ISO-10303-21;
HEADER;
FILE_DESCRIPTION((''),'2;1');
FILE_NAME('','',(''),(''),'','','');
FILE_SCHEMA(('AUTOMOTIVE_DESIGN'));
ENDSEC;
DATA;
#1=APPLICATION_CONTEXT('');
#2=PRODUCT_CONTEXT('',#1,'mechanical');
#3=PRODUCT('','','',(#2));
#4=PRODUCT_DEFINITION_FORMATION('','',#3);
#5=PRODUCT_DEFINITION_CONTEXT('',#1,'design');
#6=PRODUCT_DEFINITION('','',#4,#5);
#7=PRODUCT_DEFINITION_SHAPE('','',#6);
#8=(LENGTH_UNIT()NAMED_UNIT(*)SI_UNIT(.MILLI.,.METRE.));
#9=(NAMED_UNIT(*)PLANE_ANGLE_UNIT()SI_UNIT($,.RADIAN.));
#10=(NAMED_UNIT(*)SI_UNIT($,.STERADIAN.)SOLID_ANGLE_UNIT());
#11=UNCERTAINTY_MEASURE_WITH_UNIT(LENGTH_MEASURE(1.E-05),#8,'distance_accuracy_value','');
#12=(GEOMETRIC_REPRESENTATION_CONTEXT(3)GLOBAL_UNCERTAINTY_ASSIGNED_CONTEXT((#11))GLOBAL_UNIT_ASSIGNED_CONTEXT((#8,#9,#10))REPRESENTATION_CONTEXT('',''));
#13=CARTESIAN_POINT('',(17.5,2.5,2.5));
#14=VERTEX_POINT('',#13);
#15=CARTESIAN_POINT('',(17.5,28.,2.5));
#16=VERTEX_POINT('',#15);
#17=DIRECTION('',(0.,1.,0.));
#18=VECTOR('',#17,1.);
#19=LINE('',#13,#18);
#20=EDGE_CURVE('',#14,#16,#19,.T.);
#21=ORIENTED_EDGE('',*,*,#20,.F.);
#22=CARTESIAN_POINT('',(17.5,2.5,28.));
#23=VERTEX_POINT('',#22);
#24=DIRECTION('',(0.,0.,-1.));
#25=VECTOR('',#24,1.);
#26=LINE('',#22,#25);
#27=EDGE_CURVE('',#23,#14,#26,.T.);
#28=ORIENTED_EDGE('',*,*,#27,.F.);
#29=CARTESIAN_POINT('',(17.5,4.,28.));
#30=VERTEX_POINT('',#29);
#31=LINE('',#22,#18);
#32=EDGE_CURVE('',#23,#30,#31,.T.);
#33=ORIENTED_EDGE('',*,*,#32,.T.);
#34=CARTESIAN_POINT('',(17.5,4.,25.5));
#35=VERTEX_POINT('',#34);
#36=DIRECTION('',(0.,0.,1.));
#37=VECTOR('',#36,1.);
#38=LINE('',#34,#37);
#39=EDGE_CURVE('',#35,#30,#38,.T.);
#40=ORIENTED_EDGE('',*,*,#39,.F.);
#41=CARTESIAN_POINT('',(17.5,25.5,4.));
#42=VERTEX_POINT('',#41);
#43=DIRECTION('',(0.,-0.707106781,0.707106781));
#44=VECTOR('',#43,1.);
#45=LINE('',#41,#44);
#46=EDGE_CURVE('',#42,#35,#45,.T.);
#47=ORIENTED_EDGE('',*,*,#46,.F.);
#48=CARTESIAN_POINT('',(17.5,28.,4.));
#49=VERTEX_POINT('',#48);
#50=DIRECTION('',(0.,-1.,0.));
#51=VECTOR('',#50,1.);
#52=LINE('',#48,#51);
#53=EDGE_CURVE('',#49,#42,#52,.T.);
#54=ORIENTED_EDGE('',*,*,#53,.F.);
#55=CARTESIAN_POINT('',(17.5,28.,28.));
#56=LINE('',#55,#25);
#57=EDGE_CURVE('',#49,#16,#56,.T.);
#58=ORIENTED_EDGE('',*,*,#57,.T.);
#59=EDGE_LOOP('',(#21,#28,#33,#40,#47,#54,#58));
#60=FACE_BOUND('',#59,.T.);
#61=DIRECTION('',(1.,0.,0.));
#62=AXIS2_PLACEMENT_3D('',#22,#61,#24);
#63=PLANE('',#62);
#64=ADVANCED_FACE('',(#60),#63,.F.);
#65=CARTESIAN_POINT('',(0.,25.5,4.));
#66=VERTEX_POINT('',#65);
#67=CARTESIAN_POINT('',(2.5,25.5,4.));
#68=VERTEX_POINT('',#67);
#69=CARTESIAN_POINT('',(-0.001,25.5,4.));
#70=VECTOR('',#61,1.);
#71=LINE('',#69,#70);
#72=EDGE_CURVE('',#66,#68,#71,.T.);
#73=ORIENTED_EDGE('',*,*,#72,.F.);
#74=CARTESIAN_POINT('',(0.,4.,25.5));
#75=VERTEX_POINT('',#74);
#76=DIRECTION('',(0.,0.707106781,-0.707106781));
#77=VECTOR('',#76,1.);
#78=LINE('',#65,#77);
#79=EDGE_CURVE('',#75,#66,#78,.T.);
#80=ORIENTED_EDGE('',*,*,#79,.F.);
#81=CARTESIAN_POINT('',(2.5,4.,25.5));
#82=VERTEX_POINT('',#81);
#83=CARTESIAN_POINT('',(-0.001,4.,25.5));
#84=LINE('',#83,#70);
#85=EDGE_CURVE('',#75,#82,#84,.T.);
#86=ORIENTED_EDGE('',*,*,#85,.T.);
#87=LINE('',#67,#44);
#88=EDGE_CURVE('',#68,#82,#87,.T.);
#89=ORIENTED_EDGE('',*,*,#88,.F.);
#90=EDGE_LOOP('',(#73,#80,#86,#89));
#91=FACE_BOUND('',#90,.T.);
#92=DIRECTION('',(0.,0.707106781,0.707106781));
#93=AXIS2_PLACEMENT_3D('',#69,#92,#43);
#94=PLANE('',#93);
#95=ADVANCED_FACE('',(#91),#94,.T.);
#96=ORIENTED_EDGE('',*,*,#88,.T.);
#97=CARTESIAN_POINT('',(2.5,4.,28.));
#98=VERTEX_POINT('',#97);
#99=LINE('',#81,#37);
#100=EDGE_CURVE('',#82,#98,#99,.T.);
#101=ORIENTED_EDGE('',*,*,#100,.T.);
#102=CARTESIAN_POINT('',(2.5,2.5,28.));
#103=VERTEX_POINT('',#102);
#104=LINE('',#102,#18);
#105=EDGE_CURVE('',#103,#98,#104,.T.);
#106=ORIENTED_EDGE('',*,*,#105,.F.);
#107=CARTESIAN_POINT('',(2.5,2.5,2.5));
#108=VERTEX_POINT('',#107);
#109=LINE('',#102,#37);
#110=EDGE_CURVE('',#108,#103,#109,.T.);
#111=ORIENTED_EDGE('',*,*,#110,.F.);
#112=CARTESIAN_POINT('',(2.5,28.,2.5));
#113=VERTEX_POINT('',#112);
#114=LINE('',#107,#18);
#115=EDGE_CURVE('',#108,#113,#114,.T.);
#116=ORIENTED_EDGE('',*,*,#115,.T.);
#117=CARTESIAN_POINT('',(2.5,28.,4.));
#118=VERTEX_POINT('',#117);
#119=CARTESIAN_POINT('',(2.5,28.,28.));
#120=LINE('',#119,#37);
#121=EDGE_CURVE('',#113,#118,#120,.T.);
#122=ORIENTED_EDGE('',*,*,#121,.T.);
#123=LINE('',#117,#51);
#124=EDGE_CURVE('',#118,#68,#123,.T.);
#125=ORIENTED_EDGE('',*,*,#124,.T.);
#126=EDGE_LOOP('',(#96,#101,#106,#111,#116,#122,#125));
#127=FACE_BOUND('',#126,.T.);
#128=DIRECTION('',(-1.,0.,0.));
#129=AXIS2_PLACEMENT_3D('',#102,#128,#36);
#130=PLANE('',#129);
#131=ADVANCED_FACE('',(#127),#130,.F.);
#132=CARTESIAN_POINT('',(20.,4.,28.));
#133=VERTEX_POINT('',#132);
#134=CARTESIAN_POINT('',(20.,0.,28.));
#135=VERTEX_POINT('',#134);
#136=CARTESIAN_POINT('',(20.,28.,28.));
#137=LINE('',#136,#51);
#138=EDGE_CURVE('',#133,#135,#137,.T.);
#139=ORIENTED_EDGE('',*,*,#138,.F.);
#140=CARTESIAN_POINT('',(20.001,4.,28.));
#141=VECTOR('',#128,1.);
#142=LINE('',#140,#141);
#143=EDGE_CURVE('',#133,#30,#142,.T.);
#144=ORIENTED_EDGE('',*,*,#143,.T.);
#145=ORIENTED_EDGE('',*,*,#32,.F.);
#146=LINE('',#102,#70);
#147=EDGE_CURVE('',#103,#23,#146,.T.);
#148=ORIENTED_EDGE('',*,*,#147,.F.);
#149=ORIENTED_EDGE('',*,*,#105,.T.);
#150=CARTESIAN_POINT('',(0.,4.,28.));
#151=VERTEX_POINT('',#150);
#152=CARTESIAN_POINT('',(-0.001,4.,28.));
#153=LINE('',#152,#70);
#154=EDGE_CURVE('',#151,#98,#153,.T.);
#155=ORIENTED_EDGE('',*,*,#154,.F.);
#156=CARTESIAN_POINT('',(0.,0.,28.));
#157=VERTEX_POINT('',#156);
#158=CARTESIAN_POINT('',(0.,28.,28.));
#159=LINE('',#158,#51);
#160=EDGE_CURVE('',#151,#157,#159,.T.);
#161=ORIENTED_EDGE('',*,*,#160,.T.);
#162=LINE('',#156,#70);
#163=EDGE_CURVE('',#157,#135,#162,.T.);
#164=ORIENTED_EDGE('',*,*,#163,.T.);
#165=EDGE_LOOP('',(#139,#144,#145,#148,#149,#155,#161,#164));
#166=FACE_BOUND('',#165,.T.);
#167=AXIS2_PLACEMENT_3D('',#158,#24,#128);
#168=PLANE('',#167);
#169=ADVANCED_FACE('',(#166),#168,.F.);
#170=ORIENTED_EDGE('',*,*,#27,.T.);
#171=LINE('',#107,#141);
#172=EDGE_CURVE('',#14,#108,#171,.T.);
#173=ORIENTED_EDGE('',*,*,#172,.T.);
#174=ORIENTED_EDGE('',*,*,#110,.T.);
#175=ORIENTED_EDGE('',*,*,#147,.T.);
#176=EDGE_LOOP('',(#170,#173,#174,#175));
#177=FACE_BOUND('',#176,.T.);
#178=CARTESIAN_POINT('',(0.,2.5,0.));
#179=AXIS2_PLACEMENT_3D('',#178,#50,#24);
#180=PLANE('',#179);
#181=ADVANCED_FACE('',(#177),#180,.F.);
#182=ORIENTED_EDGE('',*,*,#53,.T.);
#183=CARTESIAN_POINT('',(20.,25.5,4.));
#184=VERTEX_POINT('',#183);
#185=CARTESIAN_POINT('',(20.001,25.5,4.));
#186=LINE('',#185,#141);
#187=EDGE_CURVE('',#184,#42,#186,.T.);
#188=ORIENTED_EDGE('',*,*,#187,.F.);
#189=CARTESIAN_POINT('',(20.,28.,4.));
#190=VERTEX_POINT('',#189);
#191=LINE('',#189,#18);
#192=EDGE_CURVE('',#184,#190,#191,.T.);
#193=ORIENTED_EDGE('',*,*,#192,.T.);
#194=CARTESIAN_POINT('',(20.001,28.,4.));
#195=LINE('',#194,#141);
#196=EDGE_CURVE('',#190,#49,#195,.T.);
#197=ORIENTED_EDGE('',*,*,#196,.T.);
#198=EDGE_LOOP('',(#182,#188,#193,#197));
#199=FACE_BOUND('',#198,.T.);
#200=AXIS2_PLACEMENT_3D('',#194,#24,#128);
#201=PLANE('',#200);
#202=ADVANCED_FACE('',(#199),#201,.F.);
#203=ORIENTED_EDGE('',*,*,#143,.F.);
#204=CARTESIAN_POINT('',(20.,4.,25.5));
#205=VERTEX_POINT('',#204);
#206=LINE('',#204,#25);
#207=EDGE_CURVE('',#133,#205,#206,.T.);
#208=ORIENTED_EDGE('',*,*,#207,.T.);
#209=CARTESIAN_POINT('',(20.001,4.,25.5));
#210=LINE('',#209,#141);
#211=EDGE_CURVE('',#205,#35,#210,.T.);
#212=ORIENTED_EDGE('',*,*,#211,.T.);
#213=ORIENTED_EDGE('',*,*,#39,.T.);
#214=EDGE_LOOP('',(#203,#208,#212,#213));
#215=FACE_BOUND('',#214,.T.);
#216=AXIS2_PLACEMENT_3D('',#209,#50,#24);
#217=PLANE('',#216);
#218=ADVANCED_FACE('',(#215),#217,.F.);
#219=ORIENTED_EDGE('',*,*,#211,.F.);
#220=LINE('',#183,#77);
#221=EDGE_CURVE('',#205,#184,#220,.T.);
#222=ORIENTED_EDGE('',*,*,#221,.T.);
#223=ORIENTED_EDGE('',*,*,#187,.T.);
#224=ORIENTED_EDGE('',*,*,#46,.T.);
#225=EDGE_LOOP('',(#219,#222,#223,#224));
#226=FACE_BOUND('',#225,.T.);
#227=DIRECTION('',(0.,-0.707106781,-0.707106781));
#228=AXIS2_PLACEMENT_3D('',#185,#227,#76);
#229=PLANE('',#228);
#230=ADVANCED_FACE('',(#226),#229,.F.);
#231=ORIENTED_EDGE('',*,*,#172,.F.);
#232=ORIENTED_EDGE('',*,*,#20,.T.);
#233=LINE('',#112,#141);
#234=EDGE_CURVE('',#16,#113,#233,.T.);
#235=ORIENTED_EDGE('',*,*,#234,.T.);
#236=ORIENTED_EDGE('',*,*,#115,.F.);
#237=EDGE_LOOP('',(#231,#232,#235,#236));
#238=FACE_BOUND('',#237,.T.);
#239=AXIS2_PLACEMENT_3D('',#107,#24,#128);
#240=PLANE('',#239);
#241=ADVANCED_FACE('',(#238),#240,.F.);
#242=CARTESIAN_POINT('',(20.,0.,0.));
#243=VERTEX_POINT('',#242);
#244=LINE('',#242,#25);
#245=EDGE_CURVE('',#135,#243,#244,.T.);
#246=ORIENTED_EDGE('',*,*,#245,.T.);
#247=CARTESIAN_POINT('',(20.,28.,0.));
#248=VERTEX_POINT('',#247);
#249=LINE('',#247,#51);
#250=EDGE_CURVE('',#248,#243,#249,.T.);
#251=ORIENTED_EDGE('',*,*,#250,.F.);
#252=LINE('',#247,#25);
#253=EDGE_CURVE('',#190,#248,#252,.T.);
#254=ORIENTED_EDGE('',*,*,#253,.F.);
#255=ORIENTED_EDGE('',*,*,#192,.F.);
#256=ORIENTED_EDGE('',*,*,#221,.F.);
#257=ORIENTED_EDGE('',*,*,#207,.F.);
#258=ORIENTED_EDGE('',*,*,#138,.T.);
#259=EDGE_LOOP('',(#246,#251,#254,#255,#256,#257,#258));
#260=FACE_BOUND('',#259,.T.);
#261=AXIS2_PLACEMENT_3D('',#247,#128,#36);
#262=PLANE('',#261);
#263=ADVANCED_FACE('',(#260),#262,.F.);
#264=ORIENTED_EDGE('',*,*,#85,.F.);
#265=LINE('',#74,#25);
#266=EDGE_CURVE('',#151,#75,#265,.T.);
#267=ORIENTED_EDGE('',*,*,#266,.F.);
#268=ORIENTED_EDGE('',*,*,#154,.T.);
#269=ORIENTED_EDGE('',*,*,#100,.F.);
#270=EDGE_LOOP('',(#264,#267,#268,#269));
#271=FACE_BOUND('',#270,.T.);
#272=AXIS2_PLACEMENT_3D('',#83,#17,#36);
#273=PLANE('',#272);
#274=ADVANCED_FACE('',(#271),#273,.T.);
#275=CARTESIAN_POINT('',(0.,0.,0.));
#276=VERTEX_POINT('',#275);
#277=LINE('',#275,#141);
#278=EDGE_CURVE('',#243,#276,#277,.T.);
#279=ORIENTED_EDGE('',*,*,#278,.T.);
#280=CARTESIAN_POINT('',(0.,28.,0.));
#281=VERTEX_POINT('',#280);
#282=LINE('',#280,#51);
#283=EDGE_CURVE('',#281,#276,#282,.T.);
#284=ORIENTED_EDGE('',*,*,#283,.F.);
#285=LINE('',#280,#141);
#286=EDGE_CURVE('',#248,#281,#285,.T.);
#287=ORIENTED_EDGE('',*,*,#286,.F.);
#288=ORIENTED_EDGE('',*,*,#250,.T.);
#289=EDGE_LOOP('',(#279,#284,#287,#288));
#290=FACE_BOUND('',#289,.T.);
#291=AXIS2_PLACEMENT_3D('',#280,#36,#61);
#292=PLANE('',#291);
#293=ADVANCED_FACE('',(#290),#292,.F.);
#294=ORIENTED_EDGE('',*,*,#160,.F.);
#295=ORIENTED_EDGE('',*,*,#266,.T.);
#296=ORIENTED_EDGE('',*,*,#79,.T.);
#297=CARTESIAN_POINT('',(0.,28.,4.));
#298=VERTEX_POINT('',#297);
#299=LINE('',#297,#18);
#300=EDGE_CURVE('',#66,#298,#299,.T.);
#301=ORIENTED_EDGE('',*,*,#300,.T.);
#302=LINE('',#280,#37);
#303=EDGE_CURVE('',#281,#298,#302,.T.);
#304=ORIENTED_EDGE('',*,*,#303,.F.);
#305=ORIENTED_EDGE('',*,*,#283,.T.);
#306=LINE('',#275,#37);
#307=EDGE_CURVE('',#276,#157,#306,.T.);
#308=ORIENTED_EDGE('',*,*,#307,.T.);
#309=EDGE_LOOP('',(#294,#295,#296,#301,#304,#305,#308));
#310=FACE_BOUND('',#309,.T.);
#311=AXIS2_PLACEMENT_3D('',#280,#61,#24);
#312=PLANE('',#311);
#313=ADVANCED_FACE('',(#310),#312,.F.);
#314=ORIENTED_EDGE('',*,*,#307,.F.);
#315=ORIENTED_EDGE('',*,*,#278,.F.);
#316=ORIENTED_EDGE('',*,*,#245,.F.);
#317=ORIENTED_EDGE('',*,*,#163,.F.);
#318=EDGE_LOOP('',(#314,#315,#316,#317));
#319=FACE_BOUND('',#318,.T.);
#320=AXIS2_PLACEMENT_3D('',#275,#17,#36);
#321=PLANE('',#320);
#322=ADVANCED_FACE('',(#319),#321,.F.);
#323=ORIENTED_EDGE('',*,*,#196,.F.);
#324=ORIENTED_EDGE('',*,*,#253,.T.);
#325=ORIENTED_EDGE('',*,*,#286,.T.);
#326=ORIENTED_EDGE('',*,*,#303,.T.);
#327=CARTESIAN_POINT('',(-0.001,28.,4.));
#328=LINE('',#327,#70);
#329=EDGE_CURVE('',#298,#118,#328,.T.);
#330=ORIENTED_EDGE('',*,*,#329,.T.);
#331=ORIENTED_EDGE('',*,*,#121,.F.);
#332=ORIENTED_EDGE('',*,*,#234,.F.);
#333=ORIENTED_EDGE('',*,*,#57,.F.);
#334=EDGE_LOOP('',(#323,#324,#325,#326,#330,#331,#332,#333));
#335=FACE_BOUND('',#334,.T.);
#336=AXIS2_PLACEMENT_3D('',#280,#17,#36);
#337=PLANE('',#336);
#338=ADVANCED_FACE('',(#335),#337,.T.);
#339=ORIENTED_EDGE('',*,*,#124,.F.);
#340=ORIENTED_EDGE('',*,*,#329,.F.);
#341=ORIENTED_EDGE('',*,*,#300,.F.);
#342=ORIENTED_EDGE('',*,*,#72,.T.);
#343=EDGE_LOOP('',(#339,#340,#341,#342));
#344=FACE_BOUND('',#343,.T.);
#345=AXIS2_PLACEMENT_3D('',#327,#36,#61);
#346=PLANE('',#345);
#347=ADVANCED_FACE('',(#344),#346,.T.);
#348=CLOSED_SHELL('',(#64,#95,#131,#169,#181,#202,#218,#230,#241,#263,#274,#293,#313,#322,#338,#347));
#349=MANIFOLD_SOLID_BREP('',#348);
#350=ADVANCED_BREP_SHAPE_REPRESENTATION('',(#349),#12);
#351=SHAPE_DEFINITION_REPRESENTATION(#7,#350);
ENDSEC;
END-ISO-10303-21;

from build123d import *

# Parameters (mm, degrees)
SKETCH1_W                      = 20
SKETCH1_H                      = 28
BOSS_EXTRUDE1_DEPTH            = 28
SKETCH2_W                      = 15
SKETCH2_H                      = 25.5
CUT_EXTRUDE1_DEPTH             = 25.5
CUT_EXTRUDE2_REACH             = 12
CUT_EXTRUDE2_DIRECTION_2_REACH = 12


with BuildPart() as part:
    # Sketch1 → Boss-Extrude1 (new body)
    with BuildSketch(Plane(origin=(0, 0, 0), x_dir=(1, 0, 0), z_dir=(0, 1, 0))):
        with Locations((10, -14)):
            Rectangle(SKETCH1_W, SKETCH1_H)
    extrude(amount=BOSS_EXTRUDE1_DEPTH)

    # Sketch2 → Cut-Extrude1 (cut)
    with BuildSketch(Plane(origin=(0, 28, 0), x_dir=(1, 0, 0), z_dir=(0, 1, 0))):
        with Locations((10, -15.25)):
            Rectangle(SKETCH2_W, SKETCH2_H)
    extrude(amount=-CUT_EXTRUDE1_DEPTH, mode=Mode.SUBTRACT)

    # Sketch3 → Cut-Extrude2 (cut, up to next)
    with BuildSketch(Plane.ZY.offset(-10), mode=Mode.PRIVATE) as cut_extrude2_sk1:
        Polygon((4, 28), (4, 25.5), (25.5, 4), (28, 4), (28, 28), align=None)
    cut_extrude2_tool1 = extrude(cut_extrude2_sk1.sketch, amount=-CUT_EXTRUDE2_REACH, mode=Mode.PRIVATE) & part.part
    add(cut_extrude2_tool1.solids().sort_by_distance((10, 19.239157, 19.239157))[0], mode=Mode.SUBTRACT)

    # Sketch3 → Cut-Extrude2 direction 2 (cut, up to next)
    with BuildSketch(Plane.ZY.offset(-10), mode=Mode.PRIVATE) as cut_extrude2_direction_2_sk1:
        Polygon((4, 28), (4, 25.5), (25.5, 4), (28, 4), (28, 28), align=None)
    cut_extrude2_direction_2_tool1 = extrude(cut_extrude2_direction_2_sk1.sketch, amount=CUT_EXTRUDE2_DIRECTION_2_REACH, mode=Mode.PRIVATE) & part.part
    add(cut_extrude2_direction_2_tool1.solids().sort_by_distance((10, 19.239157, 19.239157))[0], mode=Mode.SUBTRACT)


solid = part.part
